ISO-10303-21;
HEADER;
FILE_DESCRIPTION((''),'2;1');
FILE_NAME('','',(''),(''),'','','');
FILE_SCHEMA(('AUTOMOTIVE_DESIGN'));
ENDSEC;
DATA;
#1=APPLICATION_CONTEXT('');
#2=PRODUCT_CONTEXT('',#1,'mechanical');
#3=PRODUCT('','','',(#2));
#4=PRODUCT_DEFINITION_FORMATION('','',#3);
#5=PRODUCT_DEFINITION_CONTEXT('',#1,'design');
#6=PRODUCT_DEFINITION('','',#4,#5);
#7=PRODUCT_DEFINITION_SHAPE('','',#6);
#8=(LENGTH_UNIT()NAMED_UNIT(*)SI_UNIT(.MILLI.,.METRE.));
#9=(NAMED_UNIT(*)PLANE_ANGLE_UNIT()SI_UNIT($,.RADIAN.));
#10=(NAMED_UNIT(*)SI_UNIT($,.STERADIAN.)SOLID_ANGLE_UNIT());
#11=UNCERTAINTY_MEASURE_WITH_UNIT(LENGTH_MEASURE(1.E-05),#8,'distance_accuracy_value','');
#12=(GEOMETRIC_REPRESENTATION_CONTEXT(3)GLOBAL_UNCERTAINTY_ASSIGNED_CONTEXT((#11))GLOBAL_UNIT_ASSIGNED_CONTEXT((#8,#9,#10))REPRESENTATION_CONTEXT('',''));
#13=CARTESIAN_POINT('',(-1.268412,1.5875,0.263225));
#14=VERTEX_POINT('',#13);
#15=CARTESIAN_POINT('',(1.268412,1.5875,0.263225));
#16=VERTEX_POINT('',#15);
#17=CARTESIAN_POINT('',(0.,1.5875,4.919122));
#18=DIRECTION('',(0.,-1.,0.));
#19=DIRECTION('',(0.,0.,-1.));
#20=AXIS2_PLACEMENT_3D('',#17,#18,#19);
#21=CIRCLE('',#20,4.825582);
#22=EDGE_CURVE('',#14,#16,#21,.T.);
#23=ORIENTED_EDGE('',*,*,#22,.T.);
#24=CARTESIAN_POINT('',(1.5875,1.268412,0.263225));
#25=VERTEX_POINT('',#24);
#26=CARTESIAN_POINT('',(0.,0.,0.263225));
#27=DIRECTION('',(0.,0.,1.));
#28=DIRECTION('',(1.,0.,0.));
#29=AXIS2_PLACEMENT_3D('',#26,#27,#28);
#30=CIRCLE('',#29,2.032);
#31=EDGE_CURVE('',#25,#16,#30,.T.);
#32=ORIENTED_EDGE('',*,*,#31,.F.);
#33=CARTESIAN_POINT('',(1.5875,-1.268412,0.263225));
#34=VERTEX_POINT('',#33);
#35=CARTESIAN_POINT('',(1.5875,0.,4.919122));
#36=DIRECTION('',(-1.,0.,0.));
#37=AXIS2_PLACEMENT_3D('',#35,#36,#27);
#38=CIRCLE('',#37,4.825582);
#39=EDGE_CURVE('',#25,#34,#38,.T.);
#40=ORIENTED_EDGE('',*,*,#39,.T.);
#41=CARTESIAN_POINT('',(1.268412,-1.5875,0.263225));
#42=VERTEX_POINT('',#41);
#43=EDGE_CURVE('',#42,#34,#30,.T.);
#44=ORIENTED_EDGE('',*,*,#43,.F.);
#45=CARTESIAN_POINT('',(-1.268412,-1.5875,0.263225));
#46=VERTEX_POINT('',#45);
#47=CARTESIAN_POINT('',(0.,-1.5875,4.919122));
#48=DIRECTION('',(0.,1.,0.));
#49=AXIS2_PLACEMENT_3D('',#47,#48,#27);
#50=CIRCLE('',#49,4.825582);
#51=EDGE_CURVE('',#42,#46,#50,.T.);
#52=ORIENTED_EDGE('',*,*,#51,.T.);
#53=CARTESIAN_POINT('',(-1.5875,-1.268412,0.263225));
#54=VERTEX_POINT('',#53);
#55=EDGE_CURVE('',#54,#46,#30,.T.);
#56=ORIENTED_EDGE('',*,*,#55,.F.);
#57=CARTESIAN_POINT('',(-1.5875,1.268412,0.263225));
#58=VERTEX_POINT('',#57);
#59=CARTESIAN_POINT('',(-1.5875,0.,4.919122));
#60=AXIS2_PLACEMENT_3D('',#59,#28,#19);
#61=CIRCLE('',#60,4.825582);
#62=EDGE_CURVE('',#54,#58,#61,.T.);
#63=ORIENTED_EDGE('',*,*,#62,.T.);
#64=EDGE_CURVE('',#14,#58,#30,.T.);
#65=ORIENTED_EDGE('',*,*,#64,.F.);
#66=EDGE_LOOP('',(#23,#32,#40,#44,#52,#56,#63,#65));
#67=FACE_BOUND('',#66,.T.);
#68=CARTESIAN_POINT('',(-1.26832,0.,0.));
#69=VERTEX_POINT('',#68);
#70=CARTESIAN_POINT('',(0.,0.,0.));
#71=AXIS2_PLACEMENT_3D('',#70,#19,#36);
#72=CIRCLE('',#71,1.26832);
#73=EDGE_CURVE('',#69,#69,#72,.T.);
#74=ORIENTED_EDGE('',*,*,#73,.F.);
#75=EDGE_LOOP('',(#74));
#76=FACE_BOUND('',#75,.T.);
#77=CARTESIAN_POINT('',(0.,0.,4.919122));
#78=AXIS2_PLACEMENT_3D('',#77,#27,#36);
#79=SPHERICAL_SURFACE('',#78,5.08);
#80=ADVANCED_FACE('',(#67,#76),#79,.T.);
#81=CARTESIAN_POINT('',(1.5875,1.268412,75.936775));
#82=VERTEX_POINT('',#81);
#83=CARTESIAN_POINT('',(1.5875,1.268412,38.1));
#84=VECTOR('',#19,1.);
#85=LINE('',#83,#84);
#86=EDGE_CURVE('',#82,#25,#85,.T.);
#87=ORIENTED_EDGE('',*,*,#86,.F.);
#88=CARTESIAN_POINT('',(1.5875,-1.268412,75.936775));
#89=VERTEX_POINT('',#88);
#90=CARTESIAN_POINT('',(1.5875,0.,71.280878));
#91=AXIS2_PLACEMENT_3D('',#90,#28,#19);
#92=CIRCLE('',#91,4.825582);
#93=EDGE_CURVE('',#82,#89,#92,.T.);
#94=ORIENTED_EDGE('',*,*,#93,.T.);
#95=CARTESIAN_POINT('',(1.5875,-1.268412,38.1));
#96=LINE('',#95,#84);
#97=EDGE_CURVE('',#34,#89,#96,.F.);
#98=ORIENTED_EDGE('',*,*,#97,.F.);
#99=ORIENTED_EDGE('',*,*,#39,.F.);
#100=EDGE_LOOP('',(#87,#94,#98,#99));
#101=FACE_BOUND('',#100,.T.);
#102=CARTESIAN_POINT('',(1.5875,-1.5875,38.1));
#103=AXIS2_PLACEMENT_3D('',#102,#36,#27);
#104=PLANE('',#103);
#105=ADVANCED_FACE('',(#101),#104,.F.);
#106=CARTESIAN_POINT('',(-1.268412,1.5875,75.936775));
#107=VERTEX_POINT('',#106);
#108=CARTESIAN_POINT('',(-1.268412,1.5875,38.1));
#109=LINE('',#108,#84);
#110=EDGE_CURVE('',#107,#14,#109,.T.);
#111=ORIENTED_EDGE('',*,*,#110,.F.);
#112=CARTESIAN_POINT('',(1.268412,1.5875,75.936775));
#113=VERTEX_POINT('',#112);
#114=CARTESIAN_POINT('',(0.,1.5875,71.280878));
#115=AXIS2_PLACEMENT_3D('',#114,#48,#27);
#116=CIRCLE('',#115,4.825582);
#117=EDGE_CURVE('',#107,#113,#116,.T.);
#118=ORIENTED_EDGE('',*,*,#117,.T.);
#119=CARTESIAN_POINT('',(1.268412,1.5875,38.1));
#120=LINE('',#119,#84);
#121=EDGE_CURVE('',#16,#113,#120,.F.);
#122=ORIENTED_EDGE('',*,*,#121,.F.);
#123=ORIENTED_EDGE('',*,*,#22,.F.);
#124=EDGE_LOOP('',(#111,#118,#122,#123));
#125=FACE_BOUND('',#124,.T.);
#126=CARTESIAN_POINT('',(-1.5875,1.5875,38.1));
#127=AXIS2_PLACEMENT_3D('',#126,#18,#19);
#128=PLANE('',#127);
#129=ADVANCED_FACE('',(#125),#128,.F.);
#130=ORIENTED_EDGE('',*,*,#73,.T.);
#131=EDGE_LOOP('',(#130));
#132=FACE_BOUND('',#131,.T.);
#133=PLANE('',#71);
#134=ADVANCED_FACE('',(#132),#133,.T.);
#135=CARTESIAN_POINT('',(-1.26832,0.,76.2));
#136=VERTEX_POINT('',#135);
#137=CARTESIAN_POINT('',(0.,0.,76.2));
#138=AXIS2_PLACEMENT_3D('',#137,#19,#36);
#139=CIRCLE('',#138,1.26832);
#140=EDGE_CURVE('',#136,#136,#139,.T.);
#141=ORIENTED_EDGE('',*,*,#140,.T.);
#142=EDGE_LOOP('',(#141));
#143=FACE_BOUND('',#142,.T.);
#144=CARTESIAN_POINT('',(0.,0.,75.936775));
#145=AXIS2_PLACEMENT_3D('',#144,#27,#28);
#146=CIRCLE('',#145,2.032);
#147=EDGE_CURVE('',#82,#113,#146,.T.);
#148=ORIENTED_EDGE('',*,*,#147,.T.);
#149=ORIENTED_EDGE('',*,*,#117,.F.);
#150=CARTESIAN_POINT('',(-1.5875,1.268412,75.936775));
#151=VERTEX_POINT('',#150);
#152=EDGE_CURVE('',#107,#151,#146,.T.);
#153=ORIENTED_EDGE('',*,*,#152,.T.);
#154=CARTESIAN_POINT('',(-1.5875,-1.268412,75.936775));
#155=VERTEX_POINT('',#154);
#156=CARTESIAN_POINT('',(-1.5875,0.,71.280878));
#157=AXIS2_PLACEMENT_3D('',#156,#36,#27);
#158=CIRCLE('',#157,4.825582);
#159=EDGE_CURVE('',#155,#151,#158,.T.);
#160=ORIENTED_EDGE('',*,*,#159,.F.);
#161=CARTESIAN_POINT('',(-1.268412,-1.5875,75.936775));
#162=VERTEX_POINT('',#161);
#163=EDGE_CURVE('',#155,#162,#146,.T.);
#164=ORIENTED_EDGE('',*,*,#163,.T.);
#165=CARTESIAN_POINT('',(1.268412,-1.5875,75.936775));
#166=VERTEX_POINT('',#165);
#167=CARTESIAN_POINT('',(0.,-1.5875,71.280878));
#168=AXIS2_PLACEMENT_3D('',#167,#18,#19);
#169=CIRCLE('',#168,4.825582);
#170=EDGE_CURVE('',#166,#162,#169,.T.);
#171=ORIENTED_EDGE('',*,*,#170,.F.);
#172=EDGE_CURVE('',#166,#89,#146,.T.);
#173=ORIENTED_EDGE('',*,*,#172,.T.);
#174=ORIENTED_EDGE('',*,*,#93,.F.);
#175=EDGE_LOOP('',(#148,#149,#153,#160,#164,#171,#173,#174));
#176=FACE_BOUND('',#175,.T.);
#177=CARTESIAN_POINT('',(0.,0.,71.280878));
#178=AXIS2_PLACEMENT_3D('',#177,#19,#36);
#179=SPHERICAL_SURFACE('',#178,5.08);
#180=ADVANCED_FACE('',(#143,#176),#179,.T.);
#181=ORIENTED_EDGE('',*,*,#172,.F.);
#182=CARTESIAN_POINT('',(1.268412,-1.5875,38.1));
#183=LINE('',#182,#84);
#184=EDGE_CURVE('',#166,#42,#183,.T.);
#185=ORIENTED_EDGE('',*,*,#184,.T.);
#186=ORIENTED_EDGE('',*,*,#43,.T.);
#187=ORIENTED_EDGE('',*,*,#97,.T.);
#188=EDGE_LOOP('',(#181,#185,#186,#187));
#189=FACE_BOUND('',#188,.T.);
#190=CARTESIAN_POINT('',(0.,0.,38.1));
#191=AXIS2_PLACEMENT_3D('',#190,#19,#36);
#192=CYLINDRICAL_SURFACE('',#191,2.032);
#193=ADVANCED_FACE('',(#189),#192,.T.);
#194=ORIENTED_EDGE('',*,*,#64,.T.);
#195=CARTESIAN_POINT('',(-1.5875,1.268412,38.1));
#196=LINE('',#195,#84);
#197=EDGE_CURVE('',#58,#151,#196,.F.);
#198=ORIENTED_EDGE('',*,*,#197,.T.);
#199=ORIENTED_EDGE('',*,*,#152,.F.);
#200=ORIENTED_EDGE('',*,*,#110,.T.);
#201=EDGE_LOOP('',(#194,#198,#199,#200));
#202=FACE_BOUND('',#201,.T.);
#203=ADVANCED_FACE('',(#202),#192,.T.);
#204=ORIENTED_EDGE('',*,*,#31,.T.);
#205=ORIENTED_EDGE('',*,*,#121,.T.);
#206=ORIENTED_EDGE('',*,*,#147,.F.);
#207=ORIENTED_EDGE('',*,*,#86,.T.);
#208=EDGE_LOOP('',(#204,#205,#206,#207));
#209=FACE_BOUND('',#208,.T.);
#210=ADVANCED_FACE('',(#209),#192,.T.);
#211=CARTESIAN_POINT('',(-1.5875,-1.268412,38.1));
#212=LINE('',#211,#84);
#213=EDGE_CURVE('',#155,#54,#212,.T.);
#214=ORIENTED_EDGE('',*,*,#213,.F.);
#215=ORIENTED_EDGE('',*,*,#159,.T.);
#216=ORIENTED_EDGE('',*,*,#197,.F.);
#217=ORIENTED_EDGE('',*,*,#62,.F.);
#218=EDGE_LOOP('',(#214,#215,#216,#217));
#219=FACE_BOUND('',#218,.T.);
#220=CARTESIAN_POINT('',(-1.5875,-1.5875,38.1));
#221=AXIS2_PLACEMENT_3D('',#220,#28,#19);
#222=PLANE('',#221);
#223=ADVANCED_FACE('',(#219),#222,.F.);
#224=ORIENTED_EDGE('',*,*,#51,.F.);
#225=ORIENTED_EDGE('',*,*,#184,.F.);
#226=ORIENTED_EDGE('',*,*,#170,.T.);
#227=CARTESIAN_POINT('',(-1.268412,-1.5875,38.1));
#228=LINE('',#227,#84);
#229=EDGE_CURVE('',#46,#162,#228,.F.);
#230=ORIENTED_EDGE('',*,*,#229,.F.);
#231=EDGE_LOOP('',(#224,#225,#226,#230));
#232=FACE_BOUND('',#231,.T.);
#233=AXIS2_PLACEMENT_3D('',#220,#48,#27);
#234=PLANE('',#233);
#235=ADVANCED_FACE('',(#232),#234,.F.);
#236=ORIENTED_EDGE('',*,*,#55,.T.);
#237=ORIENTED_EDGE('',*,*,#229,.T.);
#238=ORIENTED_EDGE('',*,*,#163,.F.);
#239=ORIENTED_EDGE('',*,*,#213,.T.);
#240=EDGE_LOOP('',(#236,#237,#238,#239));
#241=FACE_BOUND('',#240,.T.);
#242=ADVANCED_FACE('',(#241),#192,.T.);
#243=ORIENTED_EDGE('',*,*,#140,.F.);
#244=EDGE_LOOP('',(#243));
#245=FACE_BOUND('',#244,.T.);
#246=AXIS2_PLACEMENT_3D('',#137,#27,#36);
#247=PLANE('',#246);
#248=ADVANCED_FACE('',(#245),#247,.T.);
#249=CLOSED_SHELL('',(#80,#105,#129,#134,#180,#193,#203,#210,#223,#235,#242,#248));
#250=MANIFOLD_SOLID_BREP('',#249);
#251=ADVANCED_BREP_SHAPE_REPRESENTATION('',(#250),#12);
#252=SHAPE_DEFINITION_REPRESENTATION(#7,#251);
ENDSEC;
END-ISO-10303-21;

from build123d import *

# Parameters (mm, degrees)
SKETCH1_W           = 3.175
SKETCH1_H           = 3.175
BOSS_EXTRUDE1_DEPTH = 38.1
SKETCH2_OUTSIDE_W   = 12.848
SKETCH2_OUTSIDE_H   = 12.847
SKETCH2_OUTSIDE_R   = 2.032
CUT_EXTRUDE1_DEPTH  = 39.1


with BuildPart() as part:
    # Sketch1 → Boss-Extrude1 (new body)
    with BuildSketch(Plane.XY):
        Rectangle(SKETCH1_W, SKETCH1_H)
    extrude(amount=BOSS_EXTRUDE1_DEPTH)

    # Sketch2 outside → Cut-Extrude1 (cut, through all)
    with BuildSketch(Plane(origin=(0, 0, 0), x_dir=(-1, 0, 0), z_dir=(0, 0, -1))):
        with Locations((0, -0.0005)):
            Rectangle(SKETCH2_OUTSIDE_W, SKETCH2_OUTSIDE_H)
        Circle(SKETCH2_OUTSIDE_R, mode=Mode.SUBTRACT)
    extrude(amount=-CUT_EXTRUDE1_DEPTH, mode=Mode.SUBTRACT)

    # Sketch3 → Cut-Revolve1 (revolve, cut)
    with BuildSketch(Plane(origin=(0, 0, 0), x_dir=(1, 0, 0), z_dir=(0, 1, 0))):
        with BuildLine():
            Line((-5.053685963, -4.40273269), (-5.053685963, 5.740530545))
            Line((-5.053685963, 5.740530545), (0, 5.740530545))
            Line((0, 5.740530545), (0, 0.160877736))
            ThreePointArc((0, 0.160877736), (-3.404639553, -1.148866368), (-5.053685963, -4.40273269))
        make_face()
    revolve(axis=Axis((0, 0, 38.1), (0, 0, -1)), mode=Mode.SUBTRACT)

    # Mirror1: part across plane


with BuildPart() as part_1:
    add(part.part)
    add(part.part.mirror(Plane(origin=(0, 0, 38.1), x_dir=(1, 0, 0), z_dir=(0, 0, -1))))


solid = part_1.part
